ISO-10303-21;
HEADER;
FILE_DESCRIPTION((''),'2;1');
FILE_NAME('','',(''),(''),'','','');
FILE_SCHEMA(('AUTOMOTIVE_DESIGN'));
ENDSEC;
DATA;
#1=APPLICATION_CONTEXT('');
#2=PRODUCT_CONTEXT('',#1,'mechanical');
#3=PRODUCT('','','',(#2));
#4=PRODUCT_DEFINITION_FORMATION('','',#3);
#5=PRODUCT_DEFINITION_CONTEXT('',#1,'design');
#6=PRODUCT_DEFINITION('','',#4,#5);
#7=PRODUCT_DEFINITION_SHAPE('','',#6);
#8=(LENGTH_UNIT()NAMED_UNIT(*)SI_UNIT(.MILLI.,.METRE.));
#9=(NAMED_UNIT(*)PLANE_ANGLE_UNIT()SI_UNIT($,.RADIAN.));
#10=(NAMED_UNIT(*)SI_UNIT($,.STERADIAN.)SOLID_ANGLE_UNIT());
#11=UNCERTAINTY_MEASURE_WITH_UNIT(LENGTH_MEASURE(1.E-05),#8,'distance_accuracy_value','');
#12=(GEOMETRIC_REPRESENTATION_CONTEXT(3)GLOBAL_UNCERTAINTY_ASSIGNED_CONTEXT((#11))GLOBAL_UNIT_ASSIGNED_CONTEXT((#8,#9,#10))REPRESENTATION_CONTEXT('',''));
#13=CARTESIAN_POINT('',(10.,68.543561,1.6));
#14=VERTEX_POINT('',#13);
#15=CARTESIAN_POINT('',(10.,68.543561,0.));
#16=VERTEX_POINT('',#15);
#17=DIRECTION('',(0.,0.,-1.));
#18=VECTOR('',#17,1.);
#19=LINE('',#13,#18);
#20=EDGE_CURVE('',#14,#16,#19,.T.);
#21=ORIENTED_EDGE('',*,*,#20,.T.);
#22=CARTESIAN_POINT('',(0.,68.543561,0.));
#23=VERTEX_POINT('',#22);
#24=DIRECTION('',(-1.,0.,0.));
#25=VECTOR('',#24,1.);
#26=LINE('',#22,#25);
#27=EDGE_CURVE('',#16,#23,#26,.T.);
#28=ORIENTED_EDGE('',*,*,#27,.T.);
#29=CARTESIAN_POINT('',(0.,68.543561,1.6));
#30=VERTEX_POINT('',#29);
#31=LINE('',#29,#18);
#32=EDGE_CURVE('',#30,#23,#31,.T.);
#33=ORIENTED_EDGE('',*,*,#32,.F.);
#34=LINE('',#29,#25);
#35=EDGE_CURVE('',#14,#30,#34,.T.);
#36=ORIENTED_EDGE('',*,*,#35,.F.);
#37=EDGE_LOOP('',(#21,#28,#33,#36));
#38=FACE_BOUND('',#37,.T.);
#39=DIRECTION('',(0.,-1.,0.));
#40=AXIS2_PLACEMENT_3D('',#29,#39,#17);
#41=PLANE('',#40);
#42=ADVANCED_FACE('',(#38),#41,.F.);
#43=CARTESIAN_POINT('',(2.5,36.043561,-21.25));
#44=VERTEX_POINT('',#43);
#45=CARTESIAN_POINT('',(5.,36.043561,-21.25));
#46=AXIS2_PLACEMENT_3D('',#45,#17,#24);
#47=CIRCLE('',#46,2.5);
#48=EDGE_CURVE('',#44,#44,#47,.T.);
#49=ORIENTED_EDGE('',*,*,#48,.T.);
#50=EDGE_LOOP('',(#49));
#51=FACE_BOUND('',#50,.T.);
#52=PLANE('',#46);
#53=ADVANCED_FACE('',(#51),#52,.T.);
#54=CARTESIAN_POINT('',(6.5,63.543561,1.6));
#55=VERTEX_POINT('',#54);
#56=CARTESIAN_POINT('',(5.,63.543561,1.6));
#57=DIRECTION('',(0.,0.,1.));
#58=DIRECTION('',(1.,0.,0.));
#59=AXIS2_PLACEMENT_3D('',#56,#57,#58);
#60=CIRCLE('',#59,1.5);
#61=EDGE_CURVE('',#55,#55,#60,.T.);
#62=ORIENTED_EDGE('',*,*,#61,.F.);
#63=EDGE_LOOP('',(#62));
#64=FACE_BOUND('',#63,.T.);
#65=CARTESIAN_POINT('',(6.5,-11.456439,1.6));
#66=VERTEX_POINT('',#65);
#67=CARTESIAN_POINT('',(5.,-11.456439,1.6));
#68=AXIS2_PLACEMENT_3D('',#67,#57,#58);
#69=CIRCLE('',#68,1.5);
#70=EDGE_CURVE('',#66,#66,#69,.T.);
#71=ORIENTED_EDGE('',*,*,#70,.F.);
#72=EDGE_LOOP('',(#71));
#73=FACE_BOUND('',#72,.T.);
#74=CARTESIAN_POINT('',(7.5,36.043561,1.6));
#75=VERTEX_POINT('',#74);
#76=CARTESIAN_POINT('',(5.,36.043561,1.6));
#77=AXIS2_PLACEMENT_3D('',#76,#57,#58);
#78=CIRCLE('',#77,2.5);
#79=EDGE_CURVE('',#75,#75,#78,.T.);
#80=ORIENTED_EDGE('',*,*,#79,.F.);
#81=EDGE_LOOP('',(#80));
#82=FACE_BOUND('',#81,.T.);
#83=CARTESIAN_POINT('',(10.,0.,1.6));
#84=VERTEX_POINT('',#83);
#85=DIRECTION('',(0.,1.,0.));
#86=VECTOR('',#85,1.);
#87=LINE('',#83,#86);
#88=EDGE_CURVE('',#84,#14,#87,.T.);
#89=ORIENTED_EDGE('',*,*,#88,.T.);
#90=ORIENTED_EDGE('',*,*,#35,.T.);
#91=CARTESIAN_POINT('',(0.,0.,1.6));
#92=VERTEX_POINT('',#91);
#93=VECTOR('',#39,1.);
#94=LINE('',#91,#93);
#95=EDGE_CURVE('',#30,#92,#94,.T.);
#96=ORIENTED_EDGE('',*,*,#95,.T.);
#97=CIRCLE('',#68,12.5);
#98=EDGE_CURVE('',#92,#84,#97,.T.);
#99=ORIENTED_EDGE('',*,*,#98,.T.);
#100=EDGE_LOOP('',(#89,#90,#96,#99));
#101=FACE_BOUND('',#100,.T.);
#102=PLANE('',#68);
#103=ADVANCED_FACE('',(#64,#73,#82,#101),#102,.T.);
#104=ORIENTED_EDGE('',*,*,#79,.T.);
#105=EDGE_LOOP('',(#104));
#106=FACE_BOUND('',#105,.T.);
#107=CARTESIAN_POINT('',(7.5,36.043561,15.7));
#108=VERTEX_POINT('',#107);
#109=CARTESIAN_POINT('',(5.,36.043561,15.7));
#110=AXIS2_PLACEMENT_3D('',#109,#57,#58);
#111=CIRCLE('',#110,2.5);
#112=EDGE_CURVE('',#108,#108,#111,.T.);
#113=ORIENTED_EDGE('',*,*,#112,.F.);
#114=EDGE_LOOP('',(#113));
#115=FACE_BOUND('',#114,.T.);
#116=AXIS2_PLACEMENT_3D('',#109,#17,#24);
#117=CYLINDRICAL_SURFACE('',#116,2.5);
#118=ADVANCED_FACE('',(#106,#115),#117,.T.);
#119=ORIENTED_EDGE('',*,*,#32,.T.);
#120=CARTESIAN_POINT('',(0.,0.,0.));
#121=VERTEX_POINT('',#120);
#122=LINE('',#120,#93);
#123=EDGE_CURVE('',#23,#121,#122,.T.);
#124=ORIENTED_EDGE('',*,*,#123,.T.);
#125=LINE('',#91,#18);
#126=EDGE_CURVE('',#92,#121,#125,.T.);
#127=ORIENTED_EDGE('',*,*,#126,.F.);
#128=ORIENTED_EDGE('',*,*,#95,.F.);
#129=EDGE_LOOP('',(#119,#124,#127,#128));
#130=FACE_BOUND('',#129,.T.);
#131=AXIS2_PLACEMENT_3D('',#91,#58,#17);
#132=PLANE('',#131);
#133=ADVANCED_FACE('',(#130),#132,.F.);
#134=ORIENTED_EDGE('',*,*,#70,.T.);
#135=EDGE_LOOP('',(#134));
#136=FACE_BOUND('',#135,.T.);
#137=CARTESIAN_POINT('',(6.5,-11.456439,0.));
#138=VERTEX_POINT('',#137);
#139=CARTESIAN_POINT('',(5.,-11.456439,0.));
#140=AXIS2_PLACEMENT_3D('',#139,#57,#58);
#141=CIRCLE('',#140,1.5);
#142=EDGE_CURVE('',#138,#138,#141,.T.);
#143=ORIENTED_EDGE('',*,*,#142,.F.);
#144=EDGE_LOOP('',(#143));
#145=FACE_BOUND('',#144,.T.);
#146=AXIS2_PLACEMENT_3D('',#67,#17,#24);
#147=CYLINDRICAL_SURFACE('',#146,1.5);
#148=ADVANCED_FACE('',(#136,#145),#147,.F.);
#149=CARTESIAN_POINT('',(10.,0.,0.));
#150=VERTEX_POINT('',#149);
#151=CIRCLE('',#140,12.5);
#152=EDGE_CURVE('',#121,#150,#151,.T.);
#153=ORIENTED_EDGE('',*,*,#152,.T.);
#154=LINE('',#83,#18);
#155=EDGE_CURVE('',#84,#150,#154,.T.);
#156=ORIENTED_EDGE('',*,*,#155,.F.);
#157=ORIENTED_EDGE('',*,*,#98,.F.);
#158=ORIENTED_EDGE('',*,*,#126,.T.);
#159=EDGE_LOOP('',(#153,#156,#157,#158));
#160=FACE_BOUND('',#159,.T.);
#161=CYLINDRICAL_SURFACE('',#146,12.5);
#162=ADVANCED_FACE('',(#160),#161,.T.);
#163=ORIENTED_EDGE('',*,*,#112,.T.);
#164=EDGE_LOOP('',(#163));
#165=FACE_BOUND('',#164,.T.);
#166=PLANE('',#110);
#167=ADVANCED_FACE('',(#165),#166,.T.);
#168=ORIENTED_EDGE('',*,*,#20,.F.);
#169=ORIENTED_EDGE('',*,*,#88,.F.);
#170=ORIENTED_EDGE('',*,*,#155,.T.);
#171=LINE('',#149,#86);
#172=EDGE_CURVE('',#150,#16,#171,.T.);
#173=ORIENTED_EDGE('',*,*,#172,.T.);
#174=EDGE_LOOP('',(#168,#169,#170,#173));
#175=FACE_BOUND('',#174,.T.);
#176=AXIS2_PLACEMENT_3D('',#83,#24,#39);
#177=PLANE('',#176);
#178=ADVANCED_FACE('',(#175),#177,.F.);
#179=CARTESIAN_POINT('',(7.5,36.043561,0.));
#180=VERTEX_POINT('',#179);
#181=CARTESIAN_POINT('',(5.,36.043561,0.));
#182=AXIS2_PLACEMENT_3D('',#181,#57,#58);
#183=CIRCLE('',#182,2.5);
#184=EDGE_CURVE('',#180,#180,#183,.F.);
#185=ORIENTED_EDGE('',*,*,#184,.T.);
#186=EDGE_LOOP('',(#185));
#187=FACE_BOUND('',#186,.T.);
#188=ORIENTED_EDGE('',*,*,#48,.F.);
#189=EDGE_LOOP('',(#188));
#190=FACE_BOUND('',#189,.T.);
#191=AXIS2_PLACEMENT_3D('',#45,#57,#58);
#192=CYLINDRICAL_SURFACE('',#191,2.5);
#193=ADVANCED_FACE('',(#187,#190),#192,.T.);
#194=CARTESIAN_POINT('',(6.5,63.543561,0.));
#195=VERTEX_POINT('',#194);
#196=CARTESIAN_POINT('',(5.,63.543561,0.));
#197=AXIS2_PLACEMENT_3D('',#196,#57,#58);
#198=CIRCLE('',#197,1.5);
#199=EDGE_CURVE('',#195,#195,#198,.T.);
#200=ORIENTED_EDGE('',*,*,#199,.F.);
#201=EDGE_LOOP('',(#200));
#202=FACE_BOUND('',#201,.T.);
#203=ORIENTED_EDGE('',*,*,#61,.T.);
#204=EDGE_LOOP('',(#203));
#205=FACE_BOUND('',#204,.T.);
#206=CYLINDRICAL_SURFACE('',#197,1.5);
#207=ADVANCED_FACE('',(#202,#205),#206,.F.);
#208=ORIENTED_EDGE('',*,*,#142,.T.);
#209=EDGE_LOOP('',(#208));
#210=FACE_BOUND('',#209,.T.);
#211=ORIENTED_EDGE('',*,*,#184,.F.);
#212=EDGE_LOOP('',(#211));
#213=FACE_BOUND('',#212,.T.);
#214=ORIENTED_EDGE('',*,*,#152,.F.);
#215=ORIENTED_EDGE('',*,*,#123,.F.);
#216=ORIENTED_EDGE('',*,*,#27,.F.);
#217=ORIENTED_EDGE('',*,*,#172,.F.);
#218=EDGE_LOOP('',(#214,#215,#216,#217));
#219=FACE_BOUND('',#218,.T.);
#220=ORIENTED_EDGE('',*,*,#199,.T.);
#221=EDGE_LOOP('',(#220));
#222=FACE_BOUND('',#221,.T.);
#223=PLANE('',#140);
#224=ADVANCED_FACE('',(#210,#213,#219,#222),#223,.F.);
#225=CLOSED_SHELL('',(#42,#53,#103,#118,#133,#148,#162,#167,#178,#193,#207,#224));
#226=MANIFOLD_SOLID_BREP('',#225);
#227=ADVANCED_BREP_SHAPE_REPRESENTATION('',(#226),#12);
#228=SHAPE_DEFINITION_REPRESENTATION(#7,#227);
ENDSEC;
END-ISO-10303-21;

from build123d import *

# Parameters (mm, degrees)
SKETCH1_R           = 1.5
BOSS_EXTRUDE1_DEPTH = 1.6
SKETCH2_R           = 1.5
CUT_EXTRUDE1_DEPTH  = 2.6
SKETCH3_R           = 2.5
BOSS_EXTRUDE2_DEPTH = 14.1
SKETCH4_R           = 2.5
BOSS_EXTRUDE3_DEPTH = 21.25


with BuildPart() as part:
    # Sketch1 → Boss-Extrude1 (new body)
    with BuildSketch(Plane.XY):
        with BuildLine():
            Line((0, 0), (0, 68.543560763))
            Line((0, 68.543560763), (10, 68.543560763))
            Line((10, 68.543560763), (10, 0))
            ThreePointArc((10, 0), (5, -23.956439237), (0, 0))
        make_face()
        with Locations((5, -11.456439237)):
            Circle(SKETCH1_R, mode=Mode.SUBTRACT)
    extrude(amount=BOSS_EXTRUDE1_DEPTH)

    # Sketch2 → Cut-Extrude1 (cut, through all)
    with BuildSketch(Plane.XY.offset(1.6)):
        with Locations((5, 63.543560763)):
            Circle(SKETCH2_R)
    extrude(amount=-CUT_EXTRUDE1_DEPTH, mode=Mode.SUBTRACT)

    # Sketch3 → Boss-Extrude2 (add)
    with BuildSketch(Plane.XY.offset(1.6)):
        with Locations((5, 36.043560763)):
            Circle(SKETCH3_R)
    extrude(amount=BOSS_EXTRUDE2_DEPTH)

    # Sketch4 → Boss-Extrude3 (add)
    with BuildSketch(Plane(origin=(0, 0, 0), x_dir=(-1, 0, 0), z_dir=(0, 0, -1))):
        with Locations((-5, 36.043560763)):
            Circle(SKETCH4_R)
    extrude(amount=BOSS_EXTRUDE3_DEPTH)


solid = part.part
